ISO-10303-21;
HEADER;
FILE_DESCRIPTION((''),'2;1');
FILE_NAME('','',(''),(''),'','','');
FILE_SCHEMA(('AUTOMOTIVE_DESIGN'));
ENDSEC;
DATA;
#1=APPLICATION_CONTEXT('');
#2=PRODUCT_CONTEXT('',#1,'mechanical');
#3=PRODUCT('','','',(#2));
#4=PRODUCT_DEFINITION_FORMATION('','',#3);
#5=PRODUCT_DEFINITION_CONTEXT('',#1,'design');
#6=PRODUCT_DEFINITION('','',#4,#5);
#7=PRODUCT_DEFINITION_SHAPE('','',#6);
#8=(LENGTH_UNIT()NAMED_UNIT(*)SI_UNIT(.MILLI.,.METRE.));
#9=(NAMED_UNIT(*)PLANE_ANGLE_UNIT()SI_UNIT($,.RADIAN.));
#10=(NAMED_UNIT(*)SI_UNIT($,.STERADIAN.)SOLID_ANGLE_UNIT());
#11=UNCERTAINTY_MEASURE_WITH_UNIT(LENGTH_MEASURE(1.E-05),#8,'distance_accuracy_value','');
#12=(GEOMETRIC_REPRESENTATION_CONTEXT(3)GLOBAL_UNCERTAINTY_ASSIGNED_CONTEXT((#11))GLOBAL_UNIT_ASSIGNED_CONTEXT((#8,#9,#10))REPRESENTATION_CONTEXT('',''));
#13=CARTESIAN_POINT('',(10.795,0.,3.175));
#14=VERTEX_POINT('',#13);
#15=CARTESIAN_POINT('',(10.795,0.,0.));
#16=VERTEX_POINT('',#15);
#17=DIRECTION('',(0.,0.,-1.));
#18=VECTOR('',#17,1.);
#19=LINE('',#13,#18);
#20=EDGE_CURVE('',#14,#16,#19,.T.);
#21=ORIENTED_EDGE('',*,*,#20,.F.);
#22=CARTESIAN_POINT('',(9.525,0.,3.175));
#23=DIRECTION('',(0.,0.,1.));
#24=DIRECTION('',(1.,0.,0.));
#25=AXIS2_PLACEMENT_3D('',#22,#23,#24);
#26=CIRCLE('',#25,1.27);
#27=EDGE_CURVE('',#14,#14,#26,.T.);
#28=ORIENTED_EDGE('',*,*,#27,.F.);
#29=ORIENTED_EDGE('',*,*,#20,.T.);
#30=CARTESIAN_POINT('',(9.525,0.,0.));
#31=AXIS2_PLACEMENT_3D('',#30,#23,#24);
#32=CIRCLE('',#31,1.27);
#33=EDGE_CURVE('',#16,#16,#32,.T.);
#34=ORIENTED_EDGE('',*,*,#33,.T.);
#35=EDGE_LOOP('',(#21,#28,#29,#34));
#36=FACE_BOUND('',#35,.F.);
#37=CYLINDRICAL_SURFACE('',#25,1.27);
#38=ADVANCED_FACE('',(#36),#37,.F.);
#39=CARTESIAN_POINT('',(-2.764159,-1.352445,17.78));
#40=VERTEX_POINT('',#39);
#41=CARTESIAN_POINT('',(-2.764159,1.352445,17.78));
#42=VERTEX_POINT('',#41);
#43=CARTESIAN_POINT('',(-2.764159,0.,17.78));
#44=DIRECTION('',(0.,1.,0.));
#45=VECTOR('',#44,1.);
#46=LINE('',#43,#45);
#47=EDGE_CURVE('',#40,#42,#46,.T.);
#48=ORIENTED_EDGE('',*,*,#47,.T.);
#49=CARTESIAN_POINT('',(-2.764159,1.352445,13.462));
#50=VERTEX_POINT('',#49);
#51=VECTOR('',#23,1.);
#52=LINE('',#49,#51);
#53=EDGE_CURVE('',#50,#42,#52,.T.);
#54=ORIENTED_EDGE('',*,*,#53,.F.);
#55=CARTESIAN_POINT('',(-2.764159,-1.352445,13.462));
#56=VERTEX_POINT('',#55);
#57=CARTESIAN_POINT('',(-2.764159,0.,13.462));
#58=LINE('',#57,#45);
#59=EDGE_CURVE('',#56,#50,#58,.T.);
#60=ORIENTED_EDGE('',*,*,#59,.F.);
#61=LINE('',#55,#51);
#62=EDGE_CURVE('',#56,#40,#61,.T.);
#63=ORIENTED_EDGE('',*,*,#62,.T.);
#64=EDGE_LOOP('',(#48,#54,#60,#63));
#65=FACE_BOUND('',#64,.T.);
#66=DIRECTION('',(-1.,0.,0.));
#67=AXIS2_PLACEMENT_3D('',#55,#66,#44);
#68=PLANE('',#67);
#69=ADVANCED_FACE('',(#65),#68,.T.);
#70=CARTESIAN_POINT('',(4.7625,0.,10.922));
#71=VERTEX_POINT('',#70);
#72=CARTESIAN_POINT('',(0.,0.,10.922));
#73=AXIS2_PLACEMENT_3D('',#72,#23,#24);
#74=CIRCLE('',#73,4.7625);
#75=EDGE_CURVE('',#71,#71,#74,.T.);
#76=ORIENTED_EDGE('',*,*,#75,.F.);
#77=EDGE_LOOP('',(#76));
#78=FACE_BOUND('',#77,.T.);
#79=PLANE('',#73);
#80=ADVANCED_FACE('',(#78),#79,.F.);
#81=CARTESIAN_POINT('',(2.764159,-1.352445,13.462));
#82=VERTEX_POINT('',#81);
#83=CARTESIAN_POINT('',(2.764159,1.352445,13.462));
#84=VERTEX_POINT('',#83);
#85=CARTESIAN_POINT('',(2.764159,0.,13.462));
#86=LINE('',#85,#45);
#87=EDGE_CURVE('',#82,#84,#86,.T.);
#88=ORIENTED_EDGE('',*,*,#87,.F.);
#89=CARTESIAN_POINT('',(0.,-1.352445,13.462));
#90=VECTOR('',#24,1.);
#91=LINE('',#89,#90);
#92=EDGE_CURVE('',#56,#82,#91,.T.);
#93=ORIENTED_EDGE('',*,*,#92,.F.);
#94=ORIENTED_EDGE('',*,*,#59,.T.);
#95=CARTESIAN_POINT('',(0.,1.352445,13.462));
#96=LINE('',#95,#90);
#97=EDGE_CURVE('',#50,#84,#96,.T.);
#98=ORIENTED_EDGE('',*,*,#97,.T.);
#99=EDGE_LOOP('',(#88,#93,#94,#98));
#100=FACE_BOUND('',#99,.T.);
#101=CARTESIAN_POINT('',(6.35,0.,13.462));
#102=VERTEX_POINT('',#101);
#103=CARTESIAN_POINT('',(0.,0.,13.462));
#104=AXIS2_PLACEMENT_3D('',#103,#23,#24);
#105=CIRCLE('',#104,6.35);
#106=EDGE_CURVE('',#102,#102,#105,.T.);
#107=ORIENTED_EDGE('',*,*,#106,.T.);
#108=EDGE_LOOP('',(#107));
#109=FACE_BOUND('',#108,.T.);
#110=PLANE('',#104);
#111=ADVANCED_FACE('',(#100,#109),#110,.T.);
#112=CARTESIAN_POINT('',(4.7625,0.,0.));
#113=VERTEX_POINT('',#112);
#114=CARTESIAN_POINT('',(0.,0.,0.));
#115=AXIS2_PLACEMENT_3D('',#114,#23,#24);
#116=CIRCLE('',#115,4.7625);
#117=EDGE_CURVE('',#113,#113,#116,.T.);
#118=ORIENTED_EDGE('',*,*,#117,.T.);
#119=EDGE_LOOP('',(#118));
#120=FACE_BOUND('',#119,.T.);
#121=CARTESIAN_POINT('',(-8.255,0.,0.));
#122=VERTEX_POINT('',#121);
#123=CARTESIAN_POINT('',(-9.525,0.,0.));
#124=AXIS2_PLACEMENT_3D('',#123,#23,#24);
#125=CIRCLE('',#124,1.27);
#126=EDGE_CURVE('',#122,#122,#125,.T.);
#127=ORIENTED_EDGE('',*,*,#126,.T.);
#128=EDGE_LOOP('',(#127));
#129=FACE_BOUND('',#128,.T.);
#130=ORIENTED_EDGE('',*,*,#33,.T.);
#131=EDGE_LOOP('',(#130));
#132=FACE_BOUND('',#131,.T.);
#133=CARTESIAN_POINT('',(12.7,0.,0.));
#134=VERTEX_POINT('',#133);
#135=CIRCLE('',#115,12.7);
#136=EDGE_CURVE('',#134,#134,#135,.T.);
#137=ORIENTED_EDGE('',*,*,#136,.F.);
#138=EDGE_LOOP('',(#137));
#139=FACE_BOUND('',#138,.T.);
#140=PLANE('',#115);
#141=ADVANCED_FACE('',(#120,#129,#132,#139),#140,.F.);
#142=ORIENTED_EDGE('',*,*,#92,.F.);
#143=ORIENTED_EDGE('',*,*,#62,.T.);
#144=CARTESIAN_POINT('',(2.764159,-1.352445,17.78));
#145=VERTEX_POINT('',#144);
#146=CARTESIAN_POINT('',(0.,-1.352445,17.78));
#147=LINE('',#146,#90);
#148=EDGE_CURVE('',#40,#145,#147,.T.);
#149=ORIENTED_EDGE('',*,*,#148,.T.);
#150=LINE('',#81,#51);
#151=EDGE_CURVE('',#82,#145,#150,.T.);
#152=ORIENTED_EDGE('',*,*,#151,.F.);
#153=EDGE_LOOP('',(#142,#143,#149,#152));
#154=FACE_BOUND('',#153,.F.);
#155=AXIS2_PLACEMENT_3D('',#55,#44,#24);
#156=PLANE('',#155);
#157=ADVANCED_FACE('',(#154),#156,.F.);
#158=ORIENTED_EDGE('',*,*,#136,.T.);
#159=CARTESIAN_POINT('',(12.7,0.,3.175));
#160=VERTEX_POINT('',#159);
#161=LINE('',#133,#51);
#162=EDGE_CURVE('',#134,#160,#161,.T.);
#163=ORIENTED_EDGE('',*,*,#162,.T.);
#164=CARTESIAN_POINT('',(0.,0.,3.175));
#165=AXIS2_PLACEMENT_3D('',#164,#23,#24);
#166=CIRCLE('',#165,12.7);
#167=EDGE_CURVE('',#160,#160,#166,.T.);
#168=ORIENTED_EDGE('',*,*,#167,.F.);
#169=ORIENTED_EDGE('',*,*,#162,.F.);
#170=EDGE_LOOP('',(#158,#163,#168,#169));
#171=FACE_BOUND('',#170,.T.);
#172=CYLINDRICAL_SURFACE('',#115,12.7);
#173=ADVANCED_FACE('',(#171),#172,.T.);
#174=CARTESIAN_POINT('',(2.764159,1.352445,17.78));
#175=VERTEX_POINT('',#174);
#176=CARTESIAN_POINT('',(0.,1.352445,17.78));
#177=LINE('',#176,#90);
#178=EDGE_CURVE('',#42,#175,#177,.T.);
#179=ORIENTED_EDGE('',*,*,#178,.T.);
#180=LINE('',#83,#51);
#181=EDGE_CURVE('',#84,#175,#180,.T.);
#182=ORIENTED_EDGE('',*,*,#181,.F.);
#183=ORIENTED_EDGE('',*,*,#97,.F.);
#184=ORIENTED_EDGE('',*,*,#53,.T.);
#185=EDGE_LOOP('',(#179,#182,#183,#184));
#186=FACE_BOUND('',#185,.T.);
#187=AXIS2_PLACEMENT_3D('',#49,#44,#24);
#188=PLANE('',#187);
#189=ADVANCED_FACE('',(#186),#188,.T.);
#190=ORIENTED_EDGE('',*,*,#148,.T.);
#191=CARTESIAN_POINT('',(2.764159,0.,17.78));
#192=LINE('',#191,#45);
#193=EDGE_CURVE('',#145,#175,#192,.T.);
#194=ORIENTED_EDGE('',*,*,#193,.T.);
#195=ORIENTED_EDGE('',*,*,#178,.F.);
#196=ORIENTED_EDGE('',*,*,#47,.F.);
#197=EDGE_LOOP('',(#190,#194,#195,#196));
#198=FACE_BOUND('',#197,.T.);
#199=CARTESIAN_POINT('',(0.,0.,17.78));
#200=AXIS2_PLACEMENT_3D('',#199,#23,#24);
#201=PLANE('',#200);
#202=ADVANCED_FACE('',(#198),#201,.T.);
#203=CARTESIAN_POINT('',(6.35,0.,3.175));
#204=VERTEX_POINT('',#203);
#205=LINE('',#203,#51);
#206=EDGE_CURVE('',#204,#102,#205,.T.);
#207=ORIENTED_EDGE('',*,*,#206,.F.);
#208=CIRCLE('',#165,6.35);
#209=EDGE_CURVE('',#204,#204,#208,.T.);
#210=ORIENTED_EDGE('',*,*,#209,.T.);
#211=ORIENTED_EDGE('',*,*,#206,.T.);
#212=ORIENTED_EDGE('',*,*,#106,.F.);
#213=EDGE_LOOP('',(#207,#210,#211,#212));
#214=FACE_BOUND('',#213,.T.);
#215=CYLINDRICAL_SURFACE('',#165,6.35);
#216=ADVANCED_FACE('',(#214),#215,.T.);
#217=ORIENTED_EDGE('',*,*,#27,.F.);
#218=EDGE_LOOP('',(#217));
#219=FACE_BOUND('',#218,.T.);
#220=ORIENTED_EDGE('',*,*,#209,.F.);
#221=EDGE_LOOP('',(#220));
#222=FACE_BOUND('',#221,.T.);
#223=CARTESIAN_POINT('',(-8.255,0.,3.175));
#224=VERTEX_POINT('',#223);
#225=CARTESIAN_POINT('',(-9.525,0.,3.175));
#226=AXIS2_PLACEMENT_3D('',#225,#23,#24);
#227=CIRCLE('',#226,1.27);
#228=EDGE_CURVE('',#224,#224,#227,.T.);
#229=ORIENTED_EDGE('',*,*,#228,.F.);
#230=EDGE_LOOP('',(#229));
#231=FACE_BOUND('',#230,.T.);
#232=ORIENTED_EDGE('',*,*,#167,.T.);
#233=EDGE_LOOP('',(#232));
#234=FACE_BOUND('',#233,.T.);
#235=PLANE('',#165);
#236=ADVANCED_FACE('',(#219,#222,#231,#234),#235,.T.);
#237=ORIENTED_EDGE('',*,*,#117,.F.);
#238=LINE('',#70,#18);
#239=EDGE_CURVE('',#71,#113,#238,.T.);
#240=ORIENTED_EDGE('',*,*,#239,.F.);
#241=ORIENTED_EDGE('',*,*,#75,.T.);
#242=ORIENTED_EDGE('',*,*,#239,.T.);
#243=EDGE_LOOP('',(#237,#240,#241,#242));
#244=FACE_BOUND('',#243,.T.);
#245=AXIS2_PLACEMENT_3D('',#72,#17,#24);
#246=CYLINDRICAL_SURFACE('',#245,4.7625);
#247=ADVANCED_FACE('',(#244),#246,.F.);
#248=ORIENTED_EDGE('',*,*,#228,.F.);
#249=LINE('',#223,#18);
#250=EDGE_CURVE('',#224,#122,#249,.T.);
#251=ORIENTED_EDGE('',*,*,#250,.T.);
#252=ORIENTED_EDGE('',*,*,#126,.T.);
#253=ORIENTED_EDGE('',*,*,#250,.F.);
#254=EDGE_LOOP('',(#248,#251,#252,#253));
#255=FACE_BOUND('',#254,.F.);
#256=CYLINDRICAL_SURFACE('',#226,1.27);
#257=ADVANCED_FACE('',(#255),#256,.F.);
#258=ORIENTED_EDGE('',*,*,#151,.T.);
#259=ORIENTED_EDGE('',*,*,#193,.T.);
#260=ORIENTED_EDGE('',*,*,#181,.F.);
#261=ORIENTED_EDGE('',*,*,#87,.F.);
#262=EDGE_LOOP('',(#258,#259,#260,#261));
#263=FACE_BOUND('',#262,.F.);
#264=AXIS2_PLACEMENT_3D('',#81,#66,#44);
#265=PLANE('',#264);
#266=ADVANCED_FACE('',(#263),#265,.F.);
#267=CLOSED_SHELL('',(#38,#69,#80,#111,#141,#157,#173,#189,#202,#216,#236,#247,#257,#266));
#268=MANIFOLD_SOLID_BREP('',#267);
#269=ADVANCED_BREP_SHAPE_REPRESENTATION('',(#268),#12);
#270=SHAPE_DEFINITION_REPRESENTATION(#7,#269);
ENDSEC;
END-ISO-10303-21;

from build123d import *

# Parameters (mm, degrees)
F2_W     = 5.528318
F2_H     = 2.70489
F3_DEPTH = 4.318
F4_R     = 1.27
F5_DEPTH = 3.176


with BuildPart() as f1:
    # F0 (on Front) → F1 (revolve)
    with BuildSketch(Plane.XZ):
        Polygon((6.35, 13.462), (0, 13.462), (0, 10.922), (4.7625, 10.922), (4.7625, 0), (12.7, 0), (12.7, 3.175), (6.35, 3.175), align=None)
    revolve(axis=Axis((0, 0, 12.192), (0, 0, 1)))

    # F2 (on face) → F3 (join)
    with BuildSketch(Plane.XY.offset(13.462)):
        Rectangle(F2_W, F2_H)
    extrude(amount=F3_DEPTH)

    # F4 (on face) → F5 (cut, through all)
    with BuildSketch(Plane.XY.offset(3.175)):
        with Locations((-9.525, 0)):
            Circle(F4_R)
        with Locations((9.525, 0)):
            Circle(F4_R)
    extrude(amount=-F5_DEPTH, mode=Mode.SUBTRACT)


solid = f1.part
